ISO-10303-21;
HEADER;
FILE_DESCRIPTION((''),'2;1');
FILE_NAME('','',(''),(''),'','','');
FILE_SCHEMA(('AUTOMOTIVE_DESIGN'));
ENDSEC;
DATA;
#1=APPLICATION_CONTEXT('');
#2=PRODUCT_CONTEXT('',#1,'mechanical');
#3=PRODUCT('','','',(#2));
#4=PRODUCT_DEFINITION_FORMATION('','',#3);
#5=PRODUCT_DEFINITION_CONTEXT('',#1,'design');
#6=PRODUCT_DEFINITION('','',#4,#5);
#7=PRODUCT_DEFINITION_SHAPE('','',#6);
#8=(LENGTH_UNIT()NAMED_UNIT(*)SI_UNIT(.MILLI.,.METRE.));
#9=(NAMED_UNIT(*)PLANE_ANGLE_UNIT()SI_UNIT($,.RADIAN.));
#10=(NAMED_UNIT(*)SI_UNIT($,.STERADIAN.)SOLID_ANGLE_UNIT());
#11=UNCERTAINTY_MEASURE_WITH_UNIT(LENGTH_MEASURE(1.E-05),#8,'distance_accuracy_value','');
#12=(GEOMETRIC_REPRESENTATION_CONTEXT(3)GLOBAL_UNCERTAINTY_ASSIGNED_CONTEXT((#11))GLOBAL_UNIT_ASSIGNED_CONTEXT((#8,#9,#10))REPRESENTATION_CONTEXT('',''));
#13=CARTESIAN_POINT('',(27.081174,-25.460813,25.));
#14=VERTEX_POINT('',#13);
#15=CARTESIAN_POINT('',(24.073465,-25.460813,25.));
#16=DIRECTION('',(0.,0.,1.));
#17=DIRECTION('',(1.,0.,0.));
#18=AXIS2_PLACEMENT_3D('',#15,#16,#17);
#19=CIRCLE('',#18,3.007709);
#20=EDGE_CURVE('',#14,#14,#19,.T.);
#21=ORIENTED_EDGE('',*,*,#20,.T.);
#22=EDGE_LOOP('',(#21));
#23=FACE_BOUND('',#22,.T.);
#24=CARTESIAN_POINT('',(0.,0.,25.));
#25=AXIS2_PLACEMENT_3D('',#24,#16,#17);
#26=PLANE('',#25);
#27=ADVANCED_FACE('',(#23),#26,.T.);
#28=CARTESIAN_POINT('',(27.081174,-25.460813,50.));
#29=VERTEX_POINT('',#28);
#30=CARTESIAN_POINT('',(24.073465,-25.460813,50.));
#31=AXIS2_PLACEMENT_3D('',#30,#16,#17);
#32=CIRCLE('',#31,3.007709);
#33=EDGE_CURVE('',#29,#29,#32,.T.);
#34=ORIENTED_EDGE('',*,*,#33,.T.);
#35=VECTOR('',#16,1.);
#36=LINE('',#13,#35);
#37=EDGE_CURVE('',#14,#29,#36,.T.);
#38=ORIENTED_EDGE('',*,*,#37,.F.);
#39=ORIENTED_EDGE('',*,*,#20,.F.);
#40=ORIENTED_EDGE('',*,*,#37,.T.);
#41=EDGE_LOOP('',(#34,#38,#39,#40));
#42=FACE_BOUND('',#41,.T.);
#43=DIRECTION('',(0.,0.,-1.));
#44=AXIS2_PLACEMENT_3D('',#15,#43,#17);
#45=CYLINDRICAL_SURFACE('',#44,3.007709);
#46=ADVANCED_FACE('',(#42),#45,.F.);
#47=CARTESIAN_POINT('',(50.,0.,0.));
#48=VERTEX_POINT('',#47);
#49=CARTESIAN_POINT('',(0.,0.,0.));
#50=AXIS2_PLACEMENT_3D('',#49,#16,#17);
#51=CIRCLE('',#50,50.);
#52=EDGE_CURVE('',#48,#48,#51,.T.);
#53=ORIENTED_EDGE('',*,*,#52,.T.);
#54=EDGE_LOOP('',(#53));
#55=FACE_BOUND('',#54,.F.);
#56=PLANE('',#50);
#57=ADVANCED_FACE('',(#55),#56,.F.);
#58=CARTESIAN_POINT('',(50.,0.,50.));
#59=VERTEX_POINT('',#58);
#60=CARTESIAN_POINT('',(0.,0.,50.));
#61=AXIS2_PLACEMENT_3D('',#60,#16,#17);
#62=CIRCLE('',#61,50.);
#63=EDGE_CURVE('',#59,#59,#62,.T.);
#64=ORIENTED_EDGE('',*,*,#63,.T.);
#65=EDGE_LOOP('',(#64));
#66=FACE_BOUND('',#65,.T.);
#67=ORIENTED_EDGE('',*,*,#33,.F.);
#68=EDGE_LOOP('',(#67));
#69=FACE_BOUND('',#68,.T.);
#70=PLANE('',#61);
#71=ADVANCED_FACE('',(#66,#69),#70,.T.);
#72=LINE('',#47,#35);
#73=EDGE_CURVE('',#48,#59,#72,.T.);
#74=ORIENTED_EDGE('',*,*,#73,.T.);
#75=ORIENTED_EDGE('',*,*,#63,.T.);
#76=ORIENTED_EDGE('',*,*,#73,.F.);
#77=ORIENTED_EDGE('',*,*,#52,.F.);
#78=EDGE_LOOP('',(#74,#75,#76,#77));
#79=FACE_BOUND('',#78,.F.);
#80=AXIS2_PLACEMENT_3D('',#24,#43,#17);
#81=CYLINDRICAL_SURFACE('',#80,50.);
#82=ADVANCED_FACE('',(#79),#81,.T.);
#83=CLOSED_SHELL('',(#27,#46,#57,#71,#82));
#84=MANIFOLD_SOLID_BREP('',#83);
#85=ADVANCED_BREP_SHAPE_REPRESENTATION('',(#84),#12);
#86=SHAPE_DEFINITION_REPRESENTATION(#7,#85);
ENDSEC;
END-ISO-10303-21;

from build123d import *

# Parameters (mm, degrees)
F0_R     = 50
F1_DEPTH = 25
F3_DEPTH = 25
F4_R     = 50
F4_R_2   = 3.0077087993
F5_DEPTH = 25


with BuildPart() as f1:
    # F0 (on Top) → F1 (new body)
    with BuildSketch(Plane.XY):
        Circle(F0_R)
    extrude(amount=F1_DEPTH)

    # F2 (on face) → F3 (join)
    with BuildSketch(Plane.XY.offset(25)):
        Polygon((-0.9346593793, 23.0941153177), (-20.4674202327, 10.7376188925), (-19.5327608534, -12.3564964252), (0.9346593793, -23.0941153177), (20.4674202327, -10.7376188925), (19.5327608534, 12.3564964252), align=None)
    extrude(amount=F3_DEPTH)

    # F4 (on face) → F5 (join)
    with BuildSketch(Plane.XY.offset(25)):
        Circle(F4_R)
        with Locations((24.0734647959, -25.4608131945)):
            Circle(F4_R_2, mode=Mode.SUBTRACT)
        Polygon((-0.9346593793, 23.0941153177), (19.5327608534, 12.3564964252), (20.4674202327, -10.7376188925), (0.9346593793, -23.0941153177), (-19.5327608534, -12.3564964252), (-20.4674202327, 10.7376188925), align=None, mode=Mode.SUBTRACT)
    extrude(amount=F5_DEPTH)


solid = f1.part
